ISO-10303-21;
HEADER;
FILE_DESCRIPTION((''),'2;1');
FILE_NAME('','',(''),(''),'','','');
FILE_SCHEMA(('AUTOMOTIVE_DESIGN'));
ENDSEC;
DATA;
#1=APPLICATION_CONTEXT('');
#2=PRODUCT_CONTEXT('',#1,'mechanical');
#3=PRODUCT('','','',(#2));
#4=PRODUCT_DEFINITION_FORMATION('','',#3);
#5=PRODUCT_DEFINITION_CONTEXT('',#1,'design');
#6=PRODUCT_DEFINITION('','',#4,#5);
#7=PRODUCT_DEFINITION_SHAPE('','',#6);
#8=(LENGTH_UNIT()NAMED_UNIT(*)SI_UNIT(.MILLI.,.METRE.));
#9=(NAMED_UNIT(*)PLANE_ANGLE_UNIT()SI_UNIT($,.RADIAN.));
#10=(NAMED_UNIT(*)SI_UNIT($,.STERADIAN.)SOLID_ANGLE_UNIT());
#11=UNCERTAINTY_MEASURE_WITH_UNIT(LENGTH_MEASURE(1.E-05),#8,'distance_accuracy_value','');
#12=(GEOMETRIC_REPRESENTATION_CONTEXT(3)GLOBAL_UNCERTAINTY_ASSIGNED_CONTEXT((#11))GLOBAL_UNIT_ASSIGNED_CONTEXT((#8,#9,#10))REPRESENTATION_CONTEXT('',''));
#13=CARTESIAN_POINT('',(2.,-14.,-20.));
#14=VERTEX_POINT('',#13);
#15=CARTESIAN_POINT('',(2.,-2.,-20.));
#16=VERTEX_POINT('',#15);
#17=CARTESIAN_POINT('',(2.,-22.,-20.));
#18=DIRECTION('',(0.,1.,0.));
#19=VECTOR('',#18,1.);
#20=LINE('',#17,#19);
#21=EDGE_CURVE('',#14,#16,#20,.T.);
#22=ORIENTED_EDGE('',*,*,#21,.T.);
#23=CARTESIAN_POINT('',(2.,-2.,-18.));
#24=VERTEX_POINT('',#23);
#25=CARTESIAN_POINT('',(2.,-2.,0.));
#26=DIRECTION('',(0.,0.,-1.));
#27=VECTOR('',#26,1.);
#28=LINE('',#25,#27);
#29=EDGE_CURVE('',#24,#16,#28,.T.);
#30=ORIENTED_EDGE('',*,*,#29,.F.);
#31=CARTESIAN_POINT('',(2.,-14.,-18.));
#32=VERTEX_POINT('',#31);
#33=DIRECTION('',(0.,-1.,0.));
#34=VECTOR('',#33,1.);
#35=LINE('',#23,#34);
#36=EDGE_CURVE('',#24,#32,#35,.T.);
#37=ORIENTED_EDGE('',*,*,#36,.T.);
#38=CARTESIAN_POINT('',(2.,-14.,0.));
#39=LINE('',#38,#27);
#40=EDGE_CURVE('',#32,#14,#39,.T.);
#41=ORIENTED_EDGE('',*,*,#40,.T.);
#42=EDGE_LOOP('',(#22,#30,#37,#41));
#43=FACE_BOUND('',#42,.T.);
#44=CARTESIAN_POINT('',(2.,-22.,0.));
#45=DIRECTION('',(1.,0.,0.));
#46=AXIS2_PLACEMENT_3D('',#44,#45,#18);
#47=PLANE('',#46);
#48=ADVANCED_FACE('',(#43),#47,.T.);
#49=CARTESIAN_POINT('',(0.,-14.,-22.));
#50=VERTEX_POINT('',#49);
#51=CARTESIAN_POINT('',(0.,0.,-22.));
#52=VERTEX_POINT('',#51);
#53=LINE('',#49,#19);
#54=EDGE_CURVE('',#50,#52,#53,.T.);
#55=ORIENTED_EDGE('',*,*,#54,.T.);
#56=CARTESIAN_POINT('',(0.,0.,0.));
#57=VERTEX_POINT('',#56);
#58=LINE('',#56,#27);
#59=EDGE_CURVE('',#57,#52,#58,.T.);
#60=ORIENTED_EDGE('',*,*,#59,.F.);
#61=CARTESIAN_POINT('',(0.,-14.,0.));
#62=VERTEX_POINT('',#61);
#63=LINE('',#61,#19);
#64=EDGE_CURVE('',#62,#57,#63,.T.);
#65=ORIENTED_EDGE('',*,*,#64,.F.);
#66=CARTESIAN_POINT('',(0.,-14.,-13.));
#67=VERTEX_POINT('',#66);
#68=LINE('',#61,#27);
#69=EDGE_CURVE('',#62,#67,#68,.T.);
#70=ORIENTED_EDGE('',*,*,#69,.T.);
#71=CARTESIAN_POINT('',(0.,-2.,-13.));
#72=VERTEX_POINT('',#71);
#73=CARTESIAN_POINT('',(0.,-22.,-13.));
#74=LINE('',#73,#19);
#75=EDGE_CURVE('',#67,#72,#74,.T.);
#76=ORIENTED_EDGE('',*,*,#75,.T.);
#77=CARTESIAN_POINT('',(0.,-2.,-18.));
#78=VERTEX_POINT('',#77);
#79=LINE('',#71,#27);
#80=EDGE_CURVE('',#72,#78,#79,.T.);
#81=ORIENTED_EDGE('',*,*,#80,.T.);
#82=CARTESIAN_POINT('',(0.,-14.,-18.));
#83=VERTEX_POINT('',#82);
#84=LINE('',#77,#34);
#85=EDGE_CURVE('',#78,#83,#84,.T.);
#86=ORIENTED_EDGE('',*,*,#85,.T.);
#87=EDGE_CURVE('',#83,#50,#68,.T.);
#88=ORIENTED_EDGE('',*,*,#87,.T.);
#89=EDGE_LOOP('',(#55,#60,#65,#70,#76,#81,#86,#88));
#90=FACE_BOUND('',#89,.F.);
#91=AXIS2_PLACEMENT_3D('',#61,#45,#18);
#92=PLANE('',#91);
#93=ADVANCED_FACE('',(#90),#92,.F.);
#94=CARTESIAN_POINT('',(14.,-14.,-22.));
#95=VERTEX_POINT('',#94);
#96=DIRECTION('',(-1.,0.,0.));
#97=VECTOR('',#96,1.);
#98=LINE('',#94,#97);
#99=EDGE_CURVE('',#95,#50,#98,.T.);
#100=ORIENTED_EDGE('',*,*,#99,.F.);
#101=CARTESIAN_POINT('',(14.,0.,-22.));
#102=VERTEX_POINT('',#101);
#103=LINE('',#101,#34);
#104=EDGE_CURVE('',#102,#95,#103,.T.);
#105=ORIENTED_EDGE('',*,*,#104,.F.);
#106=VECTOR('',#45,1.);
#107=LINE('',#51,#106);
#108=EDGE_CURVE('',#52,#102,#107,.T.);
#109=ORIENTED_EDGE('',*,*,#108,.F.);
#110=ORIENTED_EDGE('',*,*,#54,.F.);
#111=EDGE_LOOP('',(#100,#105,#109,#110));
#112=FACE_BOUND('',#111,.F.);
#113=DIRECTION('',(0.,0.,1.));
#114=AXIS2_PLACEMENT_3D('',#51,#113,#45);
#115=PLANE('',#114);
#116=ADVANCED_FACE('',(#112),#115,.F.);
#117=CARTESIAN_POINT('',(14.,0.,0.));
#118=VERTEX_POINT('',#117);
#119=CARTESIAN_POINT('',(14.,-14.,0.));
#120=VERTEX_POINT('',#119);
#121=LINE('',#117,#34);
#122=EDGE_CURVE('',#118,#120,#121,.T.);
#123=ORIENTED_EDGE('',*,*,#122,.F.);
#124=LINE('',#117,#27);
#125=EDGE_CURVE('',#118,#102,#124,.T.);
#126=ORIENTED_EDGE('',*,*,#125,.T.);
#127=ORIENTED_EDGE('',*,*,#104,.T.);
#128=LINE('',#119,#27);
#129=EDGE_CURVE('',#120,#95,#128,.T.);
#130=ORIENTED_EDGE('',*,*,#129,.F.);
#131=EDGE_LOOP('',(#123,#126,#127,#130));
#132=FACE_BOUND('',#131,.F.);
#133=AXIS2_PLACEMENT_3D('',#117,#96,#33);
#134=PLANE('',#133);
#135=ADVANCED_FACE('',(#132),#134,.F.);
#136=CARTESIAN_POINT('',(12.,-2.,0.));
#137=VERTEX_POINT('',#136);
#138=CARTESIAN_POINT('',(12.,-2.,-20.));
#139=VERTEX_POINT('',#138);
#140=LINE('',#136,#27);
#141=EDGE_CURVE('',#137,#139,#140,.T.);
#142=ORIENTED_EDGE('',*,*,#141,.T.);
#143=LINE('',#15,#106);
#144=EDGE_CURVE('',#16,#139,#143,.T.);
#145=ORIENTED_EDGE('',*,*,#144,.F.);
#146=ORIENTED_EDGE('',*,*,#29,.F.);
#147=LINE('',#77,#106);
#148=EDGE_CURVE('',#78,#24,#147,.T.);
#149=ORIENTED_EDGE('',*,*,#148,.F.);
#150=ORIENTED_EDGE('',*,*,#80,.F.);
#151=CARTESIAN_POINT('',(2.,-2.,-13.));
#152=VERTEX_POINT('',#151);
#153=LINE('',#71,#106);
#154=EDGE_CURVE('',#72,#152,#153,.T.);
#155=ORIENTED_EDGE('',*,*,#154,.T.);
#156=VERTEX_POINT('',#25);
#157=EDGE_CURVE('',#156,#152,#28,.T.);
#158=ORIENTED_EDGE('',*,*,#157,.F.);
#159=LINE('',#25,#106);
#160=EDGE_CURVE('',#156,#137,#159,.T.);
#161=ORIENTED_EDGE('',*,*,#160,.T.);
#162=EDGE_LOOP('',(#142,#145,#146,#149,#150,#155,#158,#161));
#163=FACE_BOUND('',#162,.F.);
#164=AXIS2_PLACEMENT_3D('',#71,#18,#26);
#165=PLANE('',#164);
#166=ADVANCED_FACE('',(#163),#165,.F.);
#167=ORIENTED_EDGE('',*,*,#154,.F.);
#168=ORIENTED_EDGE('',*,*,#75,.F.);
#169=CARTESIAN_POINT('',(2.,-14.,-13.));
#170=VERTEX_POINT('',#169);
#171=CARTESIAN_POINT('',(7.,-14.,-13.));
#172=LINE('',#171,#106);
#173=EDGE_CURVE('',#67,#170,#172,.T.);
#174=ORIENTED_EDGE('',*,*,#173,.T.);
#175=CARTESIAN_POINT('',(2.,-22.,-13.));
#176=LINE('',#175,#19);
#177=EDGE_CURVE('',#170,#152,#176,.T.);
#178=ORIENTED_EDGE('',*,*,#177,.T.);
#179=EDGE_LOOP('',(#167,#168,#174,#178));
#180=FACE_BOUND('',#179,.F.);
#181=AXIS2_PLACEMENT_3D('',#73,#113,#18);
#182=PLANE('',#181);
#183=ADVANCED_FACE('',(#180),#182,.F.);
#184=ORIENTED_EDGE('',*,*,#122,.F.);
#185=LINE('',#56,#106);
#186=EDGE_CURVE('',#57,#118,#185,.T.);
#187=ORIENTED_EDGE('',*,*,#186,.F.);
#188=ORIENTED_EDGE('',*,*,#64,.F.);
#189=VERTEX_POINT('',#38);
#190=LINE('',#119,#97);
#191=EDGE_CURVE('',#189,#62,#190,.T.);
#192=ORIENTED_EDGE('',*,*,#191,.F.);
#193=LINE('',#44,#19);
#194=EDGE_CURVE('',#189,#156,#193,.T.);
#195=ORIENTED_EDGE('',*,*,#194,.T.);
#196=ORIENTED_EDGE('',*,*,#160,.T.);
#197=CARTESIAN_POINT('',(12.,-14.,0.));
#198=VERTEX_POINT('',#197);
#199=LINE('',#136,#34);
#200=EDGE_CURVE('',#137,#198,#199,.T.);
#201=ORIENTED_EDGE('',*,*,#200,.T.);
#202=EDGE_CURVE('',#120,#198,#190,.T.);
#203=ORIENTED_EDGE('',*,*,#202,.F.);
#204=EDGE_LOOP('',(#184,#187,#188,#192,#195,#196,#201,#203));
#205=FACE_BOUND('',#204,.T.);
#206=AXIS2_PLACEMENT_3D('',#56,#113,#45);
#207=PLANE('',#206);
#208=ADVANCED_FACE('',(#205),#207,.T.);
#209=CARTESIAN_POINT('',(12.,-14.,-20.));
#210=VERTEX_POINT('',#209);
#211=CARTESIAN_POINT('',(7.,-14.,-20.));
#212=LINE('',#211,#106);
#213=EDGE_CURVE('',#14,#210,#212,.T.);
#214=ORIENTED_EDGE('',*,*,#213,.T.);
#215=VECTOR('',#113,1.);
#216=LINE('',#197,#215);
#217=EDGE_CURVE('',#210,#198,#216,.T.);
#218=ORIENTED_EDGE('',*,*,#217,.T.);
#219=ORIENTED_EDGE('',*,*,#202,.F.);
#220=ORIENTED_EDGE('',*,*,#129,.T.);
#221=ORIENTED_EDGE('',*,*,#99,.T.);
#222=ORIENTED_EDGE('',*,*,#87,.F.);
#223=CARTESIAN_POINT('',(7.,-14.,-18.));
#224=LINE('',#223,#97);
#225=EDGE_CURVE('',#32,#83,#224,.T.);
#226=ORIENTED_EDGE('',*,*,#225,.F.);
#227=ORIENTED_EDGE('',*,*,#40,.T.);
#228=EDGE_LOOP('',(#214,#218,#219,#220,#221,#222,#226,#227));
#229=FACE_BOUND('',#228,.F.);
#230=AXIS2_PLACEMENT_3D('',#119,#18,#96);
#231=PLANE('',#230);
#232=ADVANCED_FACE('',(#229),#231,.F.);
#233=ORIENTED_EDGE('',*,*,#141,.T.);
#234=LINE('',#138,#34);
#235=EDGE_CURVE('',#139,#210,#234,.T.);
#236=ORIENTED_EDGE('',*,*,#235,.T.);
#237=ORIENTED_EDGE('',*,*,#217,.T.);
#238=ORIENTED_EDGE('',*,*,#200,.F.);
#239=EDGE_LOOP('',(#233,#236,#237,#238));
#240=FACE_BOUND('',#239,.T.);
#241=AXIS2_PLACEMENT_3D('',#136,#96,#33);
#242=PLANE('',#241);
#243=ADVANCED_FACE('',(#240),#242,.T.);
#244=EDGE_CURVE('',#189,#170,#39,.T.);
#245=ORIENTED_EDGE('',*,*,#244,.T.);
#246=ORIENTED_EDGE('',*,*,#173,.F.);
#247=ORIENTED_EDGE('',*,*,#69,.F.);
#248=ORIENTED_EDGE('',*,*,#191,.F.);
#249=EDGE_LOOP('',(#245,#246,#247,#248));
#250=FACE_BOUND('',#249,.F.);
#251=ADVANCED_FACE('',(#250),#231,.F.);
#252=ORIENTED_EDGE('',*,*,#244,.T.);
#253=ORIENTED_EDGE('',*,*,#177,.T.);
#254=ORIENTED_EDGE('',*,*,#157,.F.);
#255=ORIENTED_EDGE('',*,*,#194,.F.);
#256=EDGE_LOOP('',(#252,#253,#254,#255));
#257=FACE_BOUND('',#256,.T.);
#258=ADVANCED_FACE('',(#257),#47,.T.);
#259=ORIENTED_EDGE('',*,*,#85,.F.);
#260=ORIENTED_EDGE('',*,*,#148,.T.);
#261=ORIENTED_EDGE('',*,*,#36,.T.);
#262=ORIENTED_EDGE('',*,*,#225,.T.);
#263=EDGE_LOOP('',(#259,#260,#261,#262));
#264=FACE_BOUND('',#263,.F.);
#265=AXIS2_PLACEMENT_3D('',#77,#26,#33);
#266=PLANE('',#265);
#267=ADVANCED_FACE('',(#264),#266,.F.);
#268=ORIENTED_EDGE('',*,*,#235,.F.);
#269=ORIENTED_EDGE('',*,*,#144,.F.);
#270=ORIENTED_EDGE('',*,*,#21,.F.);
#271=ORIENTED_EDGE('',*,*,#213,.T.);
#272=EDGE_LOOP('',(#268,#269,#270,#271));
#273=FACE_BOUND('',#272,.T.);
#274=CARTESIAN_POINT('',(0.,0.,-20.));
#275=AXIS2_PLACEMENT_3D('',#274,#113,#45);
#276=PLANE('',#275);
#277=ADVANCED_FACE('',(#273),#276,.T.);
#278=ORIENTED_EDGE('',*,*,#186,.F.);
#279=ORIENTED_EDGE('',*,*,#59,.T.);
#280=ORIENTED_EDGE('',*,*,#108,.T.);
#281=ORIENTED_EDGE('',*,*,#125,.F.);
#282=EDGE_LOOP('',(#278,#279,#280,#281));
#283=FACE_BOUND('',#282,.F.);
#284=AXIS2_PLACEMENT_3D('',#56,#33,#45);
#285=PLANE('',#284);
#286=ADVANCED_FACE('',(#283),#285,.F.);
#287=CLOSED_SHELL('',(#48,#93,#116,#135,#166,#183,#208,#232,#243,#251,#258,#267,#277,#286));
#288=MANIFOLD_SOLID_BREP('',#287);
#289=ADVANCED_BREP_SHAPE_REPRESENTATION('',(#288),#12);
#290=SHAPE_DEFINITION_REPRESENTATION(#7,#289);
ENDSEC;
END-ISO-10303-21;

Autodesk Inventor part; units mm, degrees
ref_plane "YZ Plane" through (0, 0, 0) normal (1, 0, 0) x (0, 1, 0)
ref_plane "XZ Plane" through (0, 0, 0) normal (0, 1, 0) x (-1, 0, 0)
ref_plane "XY Plane" through (0, 0, 0) normal (0, 0, 1) x (1, 0, 0)
sketch "Sketch1" plane through (0, 0, 0) normal (0, 0, 1) x (1, 0, 0)
  line L0 (0, 0) -> (14, 0)
  line L1 (14, 0) -> (14, -14)
  line L2 (14, -14) -> (0, -14)
  line L3 (0, -14) -> (0, 0)
  dimension "d0" = 14
  dimension "d1" = 14
extrude "Extrusion1" add sketch "Sketch1" against normal blind 22
sketch "Sketch2" plane through (0, 0, 0) normal (0, 0, 1) x (1, 0, 0)
  line L0 (2, -2) -> (12, -2)
  line L1 (12, -2) -> (12, -22)
  line L2 (12, -22) -> (2, -22)
  line L3 (2, -22) -> (2, -2)
  point P0 (0, 0)
  dimension "d4" = 10
  dimension "d5" = 20
extrude "Extrusion2" cut sketch "Sketch2" against normal blind 20
sketch "Sketch5" plane through (0, -14, 0) normal (-1, 0, 0) x (0, 0, 1)
  line L0 (-13, 12) -> (-18, 12)
  line L1 (-18, 12) -> (-18, -8)
  line L2 (-18, -8) -> (-13, -8)
  line L3 (-13, -8) -> (-13, 12)
  point P0 (0, 14)
  dimension "d11" = 5
  dimension "d12" = 20
extrude "Extrusion4" cut sketch "Sketch5" against normal blind 2
properties part number "housing_v03"
